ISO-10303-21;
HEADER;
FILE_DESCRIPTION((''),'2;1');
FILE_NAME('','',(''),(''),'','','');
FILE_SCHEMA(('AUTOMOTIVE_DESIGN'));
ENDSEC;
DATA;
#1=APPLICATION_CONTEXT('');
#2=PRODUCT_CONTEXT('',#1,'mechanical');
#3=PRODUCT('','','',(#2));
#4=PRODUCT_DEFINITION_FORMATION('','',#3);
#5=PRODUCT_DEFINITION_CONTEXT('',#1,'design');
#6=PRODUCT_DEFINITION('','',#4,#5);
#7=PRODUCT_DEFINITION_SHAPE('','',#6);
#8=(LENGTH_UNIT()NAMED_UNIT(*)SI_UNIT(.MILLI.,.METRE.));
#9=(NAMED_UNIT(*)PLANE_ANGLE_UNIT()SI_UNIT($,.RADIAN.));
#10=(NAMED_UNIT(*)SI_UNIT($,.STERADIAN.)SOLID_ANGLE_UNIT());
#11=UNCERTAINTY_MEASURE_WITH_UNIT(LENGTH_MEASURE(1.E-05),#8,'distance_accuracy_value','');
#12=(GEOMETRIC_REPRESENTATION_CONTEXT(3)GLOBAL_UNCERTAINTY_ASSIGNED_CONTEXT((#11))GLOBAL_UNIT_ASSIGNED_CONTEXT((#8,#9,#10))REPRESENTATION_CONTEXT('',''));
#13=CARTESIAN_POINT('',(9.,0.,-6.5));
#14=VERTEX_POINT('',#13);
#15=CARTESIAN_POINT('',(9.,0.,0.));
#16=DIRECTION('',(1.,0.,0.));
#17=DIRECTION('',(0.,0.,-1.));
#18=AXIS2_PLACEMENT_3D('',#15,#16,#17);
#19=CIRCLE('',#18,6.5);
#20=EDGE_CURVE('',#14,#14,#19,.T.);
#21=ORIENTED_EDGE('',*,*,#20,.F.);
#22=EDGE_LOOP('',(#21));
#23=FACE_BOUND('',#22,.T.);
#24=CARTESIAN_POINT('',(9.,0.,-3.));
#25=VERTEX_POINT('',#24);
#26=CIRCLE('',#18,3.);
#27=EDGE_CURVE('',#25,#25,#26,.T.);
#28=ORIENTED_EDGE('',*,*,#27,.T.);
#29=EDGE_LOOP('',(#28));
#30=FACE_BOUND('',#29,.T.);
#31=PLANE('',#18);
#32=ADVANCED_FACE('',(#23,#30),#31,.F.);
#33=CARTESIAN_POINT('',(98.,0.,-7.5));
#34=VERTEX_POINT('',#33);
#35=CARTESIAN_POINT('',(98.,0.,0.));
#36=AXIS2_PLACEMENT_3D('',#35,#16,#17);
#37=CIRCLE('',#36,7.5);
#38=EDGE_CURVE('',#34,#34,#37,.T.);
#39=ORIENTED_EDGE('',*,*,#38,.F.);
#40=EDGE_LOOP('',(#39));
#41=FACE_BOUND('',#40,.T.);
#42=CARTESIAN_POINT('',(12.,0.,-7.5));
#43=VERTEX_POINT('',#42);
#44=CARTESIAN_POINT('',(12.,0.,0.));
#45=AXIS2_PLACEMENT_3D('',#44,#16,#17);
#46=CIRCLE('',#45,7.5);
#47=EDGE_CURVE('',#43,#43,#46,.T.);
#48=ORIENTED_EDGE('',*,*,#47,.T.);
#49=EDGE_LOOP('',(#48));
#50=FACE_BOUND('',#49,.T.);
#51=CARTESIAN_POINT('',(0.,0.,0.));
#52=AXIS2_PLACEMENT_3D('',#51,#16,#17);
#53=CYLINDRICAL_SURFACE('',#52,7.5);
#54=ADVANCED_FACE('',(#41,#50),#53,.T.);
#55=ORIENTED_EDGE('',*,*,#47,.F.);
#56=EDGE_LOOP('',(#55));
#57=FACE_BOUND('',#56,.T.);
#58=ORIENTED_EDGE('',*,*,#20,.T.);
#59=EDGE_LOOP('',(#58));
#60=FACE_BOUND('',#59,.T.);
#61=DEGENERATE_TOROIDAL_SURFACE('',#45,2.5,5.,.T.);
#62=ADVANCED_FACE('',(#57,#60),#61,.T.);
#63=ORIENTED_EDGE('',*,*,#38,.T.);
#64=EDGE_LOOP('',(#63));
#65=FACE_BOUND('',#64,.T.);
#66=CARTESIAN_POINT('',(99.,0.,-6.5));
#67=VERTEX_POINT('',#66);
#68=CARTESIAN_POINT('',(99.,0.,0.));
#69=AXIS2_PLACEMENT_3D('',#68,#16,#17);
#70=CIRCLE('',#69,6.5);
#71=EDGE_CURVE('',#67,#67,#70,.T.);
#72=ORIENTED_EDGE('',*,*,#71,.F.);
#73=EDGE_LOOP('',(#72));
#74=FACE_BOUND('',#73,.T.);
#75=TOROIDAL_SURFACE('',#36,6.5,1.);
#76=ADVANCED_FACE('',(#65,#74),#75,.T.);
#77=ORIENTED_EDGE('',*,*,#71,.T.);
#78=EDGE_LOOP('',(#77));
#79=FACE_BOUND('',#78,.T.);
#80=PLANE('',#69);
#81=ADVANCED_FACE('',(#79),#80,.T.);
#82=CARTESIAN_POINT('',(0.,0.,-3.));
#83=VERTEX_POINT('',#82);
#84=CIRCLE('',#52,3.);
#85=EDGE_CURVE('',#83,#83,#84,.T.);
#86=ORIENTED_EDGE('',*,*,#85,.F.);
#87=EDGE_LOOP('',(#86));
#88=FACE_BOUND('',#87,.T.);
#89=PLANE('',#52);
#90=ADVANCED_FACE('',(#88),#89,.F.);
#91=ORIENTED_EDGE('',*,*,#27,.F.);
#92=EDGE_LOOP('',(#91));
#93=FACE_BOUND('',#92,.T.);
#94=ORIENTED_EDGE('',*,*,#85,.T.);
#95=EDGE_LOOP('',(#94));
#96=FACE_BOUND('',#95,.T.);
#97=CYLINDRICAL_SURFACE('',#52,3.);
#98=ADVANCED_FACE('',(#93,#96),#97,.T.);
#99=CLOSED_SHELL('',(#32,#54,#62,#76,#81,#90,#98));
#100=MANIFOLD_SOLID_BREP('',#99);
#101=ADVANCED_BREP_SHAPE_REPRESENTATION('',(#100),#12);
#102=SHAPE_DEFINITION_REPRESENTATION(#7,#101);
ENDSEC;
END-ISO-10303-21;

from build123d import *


with BuildPart() as part:
    # Sketch1 → Revolve1 (revolve)
    with BuildSketch(Plane.XY):
        with BuildLine():
            Line((0, 3), (0, 0))
            Line((0, 0), (99, 0))
            Line((99, 0), (99, 6.5))
            ThreePointArc((99, 6.5), (98.707106781, 7.207106781), (98, 7.5))
            Line((98, 7.5), (12, 7.5))
            ThreePointArc((12, 7.5), (10.41886117, 7.24341649), (9, 6.5))
            Line((9, 6.5), (9, 3))
            Line((9, 3), (0, 3))
        make_face()
    revolve(axis=Axis((0, 0, 0), (-1, 0, 0)))


solid = part.part
